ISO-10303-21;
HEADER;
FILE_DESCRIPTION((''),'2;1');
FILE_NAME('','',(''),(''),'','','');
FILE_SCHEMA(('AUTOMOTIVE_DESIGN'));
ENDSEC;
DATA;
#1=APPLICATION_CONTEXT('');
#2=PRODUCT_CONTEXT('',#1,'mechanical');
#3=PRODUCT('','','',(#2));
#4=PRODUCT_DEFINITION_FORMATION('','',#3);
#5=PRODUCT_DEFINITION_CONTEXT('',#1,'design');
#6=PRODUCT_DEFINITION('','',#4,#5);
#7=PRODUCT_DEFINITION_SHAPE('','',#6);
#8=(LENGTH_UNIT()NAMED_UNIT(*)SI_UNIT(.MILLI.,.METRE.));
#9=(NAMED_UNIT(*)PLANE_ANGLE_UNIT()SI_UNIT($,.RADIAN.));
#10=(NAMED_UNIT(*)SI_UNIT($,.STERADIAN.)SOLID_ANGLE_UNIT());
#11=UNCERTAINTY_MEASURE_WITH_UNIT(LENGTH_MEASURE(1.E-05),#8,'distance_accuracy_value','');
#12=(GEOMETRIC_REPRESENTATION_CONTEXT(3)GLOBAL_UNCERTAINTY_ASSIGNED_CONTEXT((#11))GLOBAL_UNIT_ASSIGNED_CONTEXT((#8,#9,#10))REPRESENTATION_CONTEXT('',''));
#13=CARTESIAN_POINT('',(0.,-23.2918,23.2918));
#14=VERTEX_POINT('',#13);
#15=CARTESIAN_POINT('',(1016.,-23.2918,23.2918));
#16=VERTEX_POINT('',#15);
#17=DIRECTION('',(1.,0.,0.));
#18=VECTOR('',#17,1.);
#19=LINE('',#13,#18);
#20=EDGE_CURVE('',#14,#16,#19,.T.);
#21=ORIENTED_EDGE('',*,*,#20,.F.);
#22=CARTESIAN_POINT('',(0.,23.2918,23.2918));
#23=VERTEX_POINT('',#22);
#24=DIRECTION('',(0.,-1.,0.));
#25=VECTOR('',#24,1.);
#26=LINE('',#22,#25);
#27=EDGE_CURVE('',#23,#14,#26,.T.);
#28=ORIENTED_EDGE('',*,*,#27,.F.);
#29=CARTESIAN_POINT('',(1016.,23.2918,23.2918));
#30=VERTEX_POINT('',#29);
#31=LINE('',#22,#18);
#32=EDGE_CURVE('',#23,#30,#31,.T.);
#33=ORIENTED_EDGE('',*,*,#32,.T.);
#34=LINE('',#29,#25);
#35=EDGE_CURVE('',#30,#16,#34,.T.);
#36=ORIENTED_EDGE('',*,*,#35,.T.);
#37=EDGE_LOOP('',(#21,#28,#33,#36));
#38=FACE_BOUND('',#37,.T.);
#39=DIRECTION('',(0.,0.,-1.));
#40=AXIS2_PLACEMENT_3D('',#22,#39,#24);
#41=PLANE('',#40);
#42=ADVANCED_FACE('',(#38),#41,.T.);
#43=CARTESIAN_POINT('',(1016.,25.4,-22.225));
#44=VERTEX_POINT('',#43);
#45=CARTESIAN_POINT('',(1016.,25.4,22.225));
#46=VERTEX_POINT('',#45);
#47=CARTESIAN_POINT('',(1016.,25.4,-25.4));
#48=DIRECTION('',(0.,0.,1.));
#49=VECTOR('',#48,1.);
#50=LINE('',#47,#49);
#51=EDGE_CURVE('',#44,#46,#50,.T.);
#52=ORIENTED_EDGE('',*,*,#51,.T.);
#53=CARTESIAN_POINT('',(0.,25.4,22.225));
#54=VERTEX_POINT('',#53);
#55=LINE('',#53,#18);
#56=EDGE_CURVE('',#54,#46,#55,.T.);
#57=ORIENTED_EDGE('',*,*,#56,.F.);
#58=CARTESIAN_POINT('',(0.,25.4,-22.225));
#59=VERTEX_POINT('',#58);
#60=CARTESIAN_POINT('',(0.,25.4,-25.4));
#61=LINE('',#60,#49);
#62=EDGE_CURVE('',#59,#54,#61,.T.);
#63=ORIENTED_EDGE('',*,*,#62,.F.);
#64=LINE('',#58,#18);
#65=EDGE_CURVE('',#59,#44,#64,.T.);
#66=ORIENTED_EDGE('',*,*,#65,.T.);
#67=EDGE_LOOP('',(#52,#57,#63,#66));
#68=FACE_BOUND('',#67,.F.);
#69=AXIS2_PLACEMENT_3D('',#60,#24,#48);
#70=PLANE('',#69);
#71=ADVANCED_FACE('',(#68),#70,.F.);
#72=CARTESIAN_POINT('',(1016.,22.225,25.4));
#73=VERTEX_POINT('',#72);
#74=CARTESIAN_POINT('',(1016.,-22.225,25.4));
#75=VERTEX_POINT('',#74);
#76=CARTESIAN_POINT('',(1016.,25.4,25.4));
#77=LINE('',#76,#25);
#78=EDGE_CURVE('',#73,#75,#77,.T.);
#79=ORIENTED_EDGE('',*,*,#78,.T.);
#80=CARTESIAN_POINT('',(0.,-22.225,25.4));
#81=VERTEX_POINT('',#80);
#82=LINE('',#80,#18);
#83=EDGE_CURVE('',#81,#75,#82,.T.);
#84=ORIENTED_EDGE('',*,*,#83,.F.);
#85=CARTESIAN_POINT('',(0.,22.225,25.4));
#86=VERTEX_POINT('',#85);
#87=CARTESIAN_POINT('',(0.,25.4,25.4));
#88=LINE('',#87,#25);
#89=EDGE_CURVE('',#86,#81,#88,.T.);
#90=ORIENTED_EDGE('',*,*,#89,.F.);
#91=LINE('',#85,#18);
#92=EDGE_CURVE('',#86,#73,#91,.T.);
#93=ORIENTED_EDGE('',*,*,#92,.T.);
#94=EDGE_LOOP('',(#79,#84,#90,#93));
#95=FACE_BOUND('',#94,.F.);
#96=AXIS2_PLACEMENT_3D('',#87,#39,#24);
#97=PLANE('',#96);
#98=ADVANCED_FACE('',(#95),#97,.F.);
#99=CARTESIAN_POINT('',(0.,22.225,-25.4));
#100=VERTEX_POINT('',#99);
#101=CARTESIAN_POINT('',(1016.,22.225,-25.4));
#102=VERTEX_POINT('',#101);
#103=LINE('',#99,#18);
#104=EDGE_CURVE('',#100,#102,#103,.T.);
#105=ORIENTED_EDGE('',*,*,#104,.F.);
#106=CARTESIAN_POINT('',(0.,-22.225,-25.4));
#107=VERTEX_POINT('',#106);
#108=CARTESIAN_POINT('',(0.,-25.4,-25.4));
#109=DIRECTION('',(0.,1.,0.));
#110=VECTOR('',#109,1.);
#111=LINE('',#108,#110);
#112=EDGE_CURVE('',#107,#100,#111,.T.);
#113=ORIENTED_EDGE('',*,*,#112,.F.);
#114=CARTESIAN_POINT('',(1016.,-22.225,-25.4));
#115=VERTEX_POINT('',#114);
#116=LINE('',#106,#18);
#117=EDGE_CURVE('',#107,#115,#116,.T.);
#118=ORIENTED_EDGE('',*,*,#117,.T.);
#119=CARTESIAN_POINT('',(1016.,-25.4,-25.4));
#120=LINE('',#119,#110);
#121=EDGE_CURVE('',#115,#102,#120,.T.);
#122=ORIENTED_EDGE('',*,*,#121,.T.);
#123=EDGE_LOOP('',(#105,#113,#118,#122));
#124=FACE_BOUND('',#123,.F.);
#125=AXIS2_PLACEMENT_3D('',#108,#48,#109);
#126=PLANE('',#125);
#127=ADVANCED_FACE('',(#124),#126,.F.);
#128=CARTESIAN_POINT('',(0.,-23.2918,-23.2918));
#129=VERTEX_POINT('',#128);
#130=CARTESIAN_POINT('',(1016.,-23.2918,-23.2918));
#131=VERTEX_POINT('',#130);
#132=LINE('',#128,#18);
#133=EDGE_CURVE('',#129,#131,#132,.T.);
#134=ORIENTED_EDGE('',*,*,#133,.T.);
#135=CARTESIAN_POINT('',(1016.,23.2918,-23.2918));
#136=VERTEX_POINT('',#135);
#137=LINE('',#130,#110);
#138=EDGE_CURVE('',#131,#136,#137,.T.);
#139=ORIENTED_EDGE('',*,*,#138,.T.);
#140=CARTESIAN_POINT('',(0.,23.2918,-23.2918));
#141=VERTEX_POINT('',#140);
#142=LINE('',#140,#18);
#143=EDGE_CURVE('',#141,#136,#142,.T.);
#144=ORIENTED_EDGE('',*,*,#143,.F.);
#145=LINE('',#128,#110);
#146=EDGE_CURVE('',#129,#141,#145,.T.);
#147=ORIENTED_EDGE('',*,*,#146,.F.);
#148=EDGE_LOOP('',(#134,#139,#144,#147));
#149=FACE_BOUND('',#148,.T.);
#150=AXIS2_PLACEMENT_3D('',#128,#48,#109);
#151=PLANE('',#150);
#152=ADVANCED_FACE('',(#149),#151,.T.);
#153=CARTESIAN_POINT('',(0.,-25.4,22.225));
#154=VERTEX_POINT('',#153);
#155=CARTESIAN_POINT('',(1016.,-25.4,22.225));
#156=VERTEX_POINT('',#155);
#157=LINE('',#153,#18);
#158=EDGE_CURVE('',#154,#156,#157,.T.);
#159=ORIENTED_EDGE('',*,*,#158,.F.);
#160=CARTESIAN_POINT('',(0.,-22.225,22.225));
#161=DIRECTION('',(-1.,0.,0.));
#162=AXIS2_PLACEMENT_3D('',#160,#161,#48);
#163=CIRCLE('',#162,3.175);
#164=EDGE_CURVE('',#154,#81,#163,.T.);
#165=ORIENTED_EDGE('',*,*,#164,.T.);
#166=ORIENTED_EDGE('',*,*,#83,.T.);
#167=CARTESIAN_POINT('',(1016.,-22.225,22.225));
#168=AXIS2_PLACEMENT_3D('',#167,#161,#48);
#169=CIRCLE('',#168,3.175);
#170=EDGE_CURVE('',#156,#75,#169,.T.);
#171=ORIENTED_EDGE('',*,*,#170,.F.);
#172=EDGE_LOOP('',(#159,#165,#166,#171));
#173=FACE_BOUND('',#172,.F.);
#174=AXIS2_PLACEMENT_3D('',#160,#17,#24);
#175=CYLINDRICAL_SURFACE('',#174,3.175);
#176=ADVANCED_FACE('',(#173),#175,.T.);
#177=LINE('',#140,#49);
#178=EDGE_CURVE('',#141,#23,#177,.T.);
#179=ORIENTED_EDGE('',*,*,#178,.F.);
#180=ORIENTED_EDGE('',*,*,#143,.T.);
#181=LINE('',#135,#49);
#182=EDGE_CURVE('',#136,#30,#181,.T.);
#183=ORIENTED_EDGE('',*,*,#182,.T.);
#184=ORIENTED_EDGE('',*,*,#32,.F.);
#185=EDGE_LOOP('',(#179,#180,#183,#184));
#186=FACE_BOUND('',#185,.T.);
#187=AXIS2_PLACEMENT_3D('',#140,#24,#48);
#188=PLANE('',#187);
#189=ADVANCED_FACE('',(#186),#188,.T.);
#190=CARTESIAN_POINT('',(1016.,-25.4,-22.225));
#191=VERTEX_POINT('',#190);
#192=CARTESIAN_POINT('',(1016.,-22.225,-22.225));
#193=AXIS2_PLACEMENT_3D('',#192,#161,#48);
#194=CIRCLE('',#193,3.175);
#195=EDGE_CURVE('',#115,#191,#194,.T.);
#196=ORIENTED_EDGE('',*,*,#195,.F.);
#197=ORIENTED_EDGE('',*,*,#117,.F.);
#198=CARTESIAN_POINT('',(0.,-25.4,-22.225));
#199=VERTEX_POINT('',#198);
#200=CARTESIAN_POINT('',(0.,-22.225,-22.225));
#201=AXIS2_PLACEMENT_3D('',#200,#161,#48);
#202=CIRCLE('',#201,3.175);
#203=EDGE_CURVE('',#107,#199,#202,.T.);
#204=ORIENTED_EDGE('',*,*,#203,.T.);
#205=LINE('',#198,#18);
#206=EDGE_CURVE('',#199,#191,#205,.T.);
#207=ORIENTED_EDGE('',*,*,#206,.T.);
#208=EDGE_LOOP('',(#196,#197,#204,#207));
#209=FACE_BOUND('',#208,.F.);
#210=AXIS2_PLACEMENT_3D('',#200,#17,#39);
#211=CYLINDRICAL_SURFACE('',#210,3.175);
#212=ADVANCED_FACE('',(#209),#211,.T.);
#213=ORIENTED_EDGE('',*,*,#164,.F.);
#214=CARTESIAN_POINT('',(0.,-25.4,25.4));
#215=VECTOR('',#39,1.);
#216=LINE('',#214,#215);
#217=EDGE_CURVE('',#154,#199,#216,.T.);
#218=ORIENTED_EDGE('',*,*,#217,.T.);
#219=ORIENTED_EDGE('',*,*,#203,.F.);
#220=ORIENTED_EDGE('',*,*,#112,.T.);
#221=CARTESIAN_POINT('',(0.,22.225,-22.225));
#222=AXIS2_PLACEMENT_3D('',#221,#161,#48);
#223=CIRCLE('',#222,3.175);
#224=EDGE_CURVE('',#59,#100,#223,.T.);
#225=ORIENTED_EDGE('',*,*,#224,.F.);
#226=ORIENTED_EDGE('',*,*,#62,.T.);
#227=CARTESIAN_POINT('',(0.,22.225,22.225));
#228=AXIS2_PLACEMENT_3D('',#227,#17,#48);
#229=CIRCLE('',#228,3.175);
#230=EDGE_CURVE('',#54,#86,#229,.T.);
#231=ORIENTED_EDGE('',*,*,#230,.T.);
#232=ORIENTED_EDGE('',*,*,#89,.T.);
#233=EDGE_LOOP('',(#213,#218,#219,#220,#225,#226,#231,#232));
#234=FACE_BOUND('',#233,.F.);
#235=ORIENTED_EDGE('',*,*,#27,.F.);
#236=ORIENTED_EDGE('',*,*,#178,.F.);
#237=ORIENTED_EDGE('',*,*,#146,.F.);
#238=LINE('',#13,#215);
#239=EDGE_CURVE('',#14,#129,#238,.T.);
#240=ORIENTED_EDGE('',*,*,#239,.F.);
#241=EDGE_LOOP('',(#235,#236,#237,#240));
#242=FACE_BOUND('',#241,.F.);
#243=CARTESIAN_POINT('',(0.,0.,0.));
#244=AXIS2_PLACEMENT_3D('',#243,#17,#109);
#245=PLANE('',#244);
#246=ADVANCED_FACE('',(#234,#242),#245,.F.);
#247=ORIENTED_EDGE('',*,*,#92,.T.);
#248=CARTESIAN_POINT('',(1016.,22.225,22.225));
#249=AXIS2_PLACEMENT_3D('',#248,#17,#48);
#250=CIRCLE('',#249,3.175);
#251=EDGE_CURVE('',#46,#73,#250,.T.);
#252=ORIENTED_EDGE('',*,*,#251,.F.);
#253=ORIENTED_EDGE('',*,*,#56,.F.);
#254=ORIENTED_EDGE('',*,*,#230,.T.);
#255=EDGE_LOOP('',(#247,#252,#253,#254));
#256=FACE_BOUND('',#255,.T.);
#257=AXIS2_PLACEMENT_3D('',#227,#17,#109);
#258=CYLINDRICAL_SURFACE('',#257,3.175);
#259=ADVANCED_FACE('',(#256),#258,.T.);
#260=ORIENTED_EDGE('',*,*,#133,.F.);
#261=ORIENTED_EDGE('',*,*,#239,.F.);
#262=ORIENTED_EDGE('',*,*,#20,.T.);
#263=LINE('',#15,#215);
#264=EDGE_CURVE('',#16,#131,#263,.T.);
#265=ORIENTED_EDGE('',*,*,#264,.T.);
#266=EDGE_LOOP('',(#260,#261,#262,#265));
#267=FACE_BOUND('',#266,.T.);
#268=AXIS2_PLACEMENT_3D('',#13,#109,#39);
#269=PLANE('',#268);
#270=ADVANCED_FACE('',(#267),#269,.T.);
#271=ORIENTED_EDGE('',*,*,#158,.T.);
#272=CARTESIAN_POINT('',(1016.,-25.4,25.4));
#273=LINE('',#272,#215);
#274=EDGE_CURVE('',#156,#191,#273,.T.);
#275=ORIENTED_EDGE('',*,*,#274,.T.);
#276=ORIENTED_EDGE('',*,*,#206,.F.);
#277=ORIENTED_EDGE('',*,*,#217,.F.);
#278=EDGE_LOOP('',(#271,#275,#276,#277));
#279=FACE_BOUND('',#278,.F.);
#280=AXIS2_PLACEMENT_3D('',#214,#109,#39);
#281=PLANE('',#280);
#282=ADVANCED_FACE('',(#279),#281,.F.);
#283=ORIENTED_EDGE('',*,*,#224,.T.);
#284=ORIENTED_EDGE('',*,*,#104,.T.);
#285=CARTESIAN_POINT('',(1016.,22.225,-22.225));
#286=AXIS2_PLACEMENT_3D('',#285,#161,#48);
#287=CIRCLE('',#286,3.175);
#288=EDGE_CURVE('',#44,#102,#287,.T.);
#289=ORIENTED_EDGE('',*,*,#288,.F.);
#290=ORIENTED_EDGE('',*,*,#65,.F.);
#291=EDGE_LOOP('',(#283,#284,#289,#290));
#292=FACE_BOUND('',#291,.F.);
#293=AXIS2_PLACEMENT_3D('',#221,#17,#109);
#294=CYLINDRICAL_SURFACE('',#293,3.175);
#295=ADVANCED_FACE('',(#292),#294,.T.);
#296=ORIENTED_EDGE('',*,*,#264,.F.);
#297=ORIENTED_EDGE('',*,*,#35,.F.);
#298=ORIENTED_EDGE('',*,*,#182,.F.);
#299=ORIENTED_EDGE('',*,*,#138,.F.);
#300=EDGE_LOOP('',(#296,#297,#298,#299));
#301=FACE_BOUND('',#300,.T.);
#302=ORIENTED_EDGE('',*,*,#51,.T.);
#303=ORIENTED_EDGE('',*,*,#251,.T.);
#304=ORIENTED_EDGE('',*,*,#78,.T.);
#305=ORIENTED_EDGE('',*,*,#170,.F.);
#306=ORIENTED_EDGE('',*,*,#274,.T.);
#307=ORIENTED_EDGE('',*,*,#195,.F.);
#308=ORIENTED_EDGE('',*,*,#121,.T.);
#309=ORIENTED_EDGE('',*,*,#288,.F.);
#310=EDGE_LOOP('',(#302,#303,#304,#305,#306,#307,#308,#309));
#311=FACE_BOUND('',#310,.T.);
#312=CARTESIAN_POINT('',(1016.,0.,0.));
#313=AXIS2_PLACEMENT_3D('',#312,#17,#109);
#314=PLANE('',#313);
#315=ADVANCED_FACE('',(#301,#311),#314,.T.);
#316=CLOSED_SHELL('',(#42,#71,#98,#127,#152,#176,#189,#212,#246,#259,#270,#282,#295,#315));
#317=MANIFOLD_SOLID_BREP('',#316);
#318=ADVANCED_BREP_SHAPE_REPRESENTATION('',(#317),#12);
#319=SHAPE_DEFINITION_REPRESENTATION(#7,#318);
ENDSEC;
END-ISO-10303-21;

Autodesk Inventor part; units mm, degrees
ref_plane "YZ Plane" through (0, 0, 0) normal (1, 0, 0) x (0, 1, 0)
ref_plane "XZ Plane" through (0, 0, 0) normal (0, 1, 0) x (-1, 0, 0)
ref_plane "XY Plane" through (0, 0, 0) normal (0, 0, 1) x (1, 0, 0)
sketch "Sketch1" plane through (0, 0, 0) normal (1, 0, 0) x (0, 1, 0)
  line L0 (25.4, 25.4) -> (-25.4, 25.4)
  line L1 (-25.4, 25.4) -> (-25.4, -25.4)
  line L2 (-25.4, -25.4) -> (25.4, -25.4)
  line L3 (25.4, -25.4) -> (25.4, 25.4)
  line L4 (23.2918, 23.2918) -> (-23.2918, 23.2918)
  line L5 (-23.2918, 23.2918) -> (-23.2918, -23.2918)
  line L6 (-23.2918, -23.2918) -> (23.2918, -23.2918)
  line L7 (23.2918, -23.2918) -> (23.2918, 23.2918)
  point P0 (0, 0)
  point P1 (0, -25.4)
  point P2 (25.4, 0)
  dimension "d0" = 50.8
  dimension "d1" = 50.8
  dimension "d2" = 2.1082
extrude "Extrusion1" add sketch "Sketch1" along normal blind 1016
fillet "Fillet1" radius 3.175 4 edges at (508, 25.4, 25.4) (508, -25.4, 25.4) (508, 25.4, -25.4) (508, -25.4, -25.4)
properties part number "48_Inch_square" material "Steel"
